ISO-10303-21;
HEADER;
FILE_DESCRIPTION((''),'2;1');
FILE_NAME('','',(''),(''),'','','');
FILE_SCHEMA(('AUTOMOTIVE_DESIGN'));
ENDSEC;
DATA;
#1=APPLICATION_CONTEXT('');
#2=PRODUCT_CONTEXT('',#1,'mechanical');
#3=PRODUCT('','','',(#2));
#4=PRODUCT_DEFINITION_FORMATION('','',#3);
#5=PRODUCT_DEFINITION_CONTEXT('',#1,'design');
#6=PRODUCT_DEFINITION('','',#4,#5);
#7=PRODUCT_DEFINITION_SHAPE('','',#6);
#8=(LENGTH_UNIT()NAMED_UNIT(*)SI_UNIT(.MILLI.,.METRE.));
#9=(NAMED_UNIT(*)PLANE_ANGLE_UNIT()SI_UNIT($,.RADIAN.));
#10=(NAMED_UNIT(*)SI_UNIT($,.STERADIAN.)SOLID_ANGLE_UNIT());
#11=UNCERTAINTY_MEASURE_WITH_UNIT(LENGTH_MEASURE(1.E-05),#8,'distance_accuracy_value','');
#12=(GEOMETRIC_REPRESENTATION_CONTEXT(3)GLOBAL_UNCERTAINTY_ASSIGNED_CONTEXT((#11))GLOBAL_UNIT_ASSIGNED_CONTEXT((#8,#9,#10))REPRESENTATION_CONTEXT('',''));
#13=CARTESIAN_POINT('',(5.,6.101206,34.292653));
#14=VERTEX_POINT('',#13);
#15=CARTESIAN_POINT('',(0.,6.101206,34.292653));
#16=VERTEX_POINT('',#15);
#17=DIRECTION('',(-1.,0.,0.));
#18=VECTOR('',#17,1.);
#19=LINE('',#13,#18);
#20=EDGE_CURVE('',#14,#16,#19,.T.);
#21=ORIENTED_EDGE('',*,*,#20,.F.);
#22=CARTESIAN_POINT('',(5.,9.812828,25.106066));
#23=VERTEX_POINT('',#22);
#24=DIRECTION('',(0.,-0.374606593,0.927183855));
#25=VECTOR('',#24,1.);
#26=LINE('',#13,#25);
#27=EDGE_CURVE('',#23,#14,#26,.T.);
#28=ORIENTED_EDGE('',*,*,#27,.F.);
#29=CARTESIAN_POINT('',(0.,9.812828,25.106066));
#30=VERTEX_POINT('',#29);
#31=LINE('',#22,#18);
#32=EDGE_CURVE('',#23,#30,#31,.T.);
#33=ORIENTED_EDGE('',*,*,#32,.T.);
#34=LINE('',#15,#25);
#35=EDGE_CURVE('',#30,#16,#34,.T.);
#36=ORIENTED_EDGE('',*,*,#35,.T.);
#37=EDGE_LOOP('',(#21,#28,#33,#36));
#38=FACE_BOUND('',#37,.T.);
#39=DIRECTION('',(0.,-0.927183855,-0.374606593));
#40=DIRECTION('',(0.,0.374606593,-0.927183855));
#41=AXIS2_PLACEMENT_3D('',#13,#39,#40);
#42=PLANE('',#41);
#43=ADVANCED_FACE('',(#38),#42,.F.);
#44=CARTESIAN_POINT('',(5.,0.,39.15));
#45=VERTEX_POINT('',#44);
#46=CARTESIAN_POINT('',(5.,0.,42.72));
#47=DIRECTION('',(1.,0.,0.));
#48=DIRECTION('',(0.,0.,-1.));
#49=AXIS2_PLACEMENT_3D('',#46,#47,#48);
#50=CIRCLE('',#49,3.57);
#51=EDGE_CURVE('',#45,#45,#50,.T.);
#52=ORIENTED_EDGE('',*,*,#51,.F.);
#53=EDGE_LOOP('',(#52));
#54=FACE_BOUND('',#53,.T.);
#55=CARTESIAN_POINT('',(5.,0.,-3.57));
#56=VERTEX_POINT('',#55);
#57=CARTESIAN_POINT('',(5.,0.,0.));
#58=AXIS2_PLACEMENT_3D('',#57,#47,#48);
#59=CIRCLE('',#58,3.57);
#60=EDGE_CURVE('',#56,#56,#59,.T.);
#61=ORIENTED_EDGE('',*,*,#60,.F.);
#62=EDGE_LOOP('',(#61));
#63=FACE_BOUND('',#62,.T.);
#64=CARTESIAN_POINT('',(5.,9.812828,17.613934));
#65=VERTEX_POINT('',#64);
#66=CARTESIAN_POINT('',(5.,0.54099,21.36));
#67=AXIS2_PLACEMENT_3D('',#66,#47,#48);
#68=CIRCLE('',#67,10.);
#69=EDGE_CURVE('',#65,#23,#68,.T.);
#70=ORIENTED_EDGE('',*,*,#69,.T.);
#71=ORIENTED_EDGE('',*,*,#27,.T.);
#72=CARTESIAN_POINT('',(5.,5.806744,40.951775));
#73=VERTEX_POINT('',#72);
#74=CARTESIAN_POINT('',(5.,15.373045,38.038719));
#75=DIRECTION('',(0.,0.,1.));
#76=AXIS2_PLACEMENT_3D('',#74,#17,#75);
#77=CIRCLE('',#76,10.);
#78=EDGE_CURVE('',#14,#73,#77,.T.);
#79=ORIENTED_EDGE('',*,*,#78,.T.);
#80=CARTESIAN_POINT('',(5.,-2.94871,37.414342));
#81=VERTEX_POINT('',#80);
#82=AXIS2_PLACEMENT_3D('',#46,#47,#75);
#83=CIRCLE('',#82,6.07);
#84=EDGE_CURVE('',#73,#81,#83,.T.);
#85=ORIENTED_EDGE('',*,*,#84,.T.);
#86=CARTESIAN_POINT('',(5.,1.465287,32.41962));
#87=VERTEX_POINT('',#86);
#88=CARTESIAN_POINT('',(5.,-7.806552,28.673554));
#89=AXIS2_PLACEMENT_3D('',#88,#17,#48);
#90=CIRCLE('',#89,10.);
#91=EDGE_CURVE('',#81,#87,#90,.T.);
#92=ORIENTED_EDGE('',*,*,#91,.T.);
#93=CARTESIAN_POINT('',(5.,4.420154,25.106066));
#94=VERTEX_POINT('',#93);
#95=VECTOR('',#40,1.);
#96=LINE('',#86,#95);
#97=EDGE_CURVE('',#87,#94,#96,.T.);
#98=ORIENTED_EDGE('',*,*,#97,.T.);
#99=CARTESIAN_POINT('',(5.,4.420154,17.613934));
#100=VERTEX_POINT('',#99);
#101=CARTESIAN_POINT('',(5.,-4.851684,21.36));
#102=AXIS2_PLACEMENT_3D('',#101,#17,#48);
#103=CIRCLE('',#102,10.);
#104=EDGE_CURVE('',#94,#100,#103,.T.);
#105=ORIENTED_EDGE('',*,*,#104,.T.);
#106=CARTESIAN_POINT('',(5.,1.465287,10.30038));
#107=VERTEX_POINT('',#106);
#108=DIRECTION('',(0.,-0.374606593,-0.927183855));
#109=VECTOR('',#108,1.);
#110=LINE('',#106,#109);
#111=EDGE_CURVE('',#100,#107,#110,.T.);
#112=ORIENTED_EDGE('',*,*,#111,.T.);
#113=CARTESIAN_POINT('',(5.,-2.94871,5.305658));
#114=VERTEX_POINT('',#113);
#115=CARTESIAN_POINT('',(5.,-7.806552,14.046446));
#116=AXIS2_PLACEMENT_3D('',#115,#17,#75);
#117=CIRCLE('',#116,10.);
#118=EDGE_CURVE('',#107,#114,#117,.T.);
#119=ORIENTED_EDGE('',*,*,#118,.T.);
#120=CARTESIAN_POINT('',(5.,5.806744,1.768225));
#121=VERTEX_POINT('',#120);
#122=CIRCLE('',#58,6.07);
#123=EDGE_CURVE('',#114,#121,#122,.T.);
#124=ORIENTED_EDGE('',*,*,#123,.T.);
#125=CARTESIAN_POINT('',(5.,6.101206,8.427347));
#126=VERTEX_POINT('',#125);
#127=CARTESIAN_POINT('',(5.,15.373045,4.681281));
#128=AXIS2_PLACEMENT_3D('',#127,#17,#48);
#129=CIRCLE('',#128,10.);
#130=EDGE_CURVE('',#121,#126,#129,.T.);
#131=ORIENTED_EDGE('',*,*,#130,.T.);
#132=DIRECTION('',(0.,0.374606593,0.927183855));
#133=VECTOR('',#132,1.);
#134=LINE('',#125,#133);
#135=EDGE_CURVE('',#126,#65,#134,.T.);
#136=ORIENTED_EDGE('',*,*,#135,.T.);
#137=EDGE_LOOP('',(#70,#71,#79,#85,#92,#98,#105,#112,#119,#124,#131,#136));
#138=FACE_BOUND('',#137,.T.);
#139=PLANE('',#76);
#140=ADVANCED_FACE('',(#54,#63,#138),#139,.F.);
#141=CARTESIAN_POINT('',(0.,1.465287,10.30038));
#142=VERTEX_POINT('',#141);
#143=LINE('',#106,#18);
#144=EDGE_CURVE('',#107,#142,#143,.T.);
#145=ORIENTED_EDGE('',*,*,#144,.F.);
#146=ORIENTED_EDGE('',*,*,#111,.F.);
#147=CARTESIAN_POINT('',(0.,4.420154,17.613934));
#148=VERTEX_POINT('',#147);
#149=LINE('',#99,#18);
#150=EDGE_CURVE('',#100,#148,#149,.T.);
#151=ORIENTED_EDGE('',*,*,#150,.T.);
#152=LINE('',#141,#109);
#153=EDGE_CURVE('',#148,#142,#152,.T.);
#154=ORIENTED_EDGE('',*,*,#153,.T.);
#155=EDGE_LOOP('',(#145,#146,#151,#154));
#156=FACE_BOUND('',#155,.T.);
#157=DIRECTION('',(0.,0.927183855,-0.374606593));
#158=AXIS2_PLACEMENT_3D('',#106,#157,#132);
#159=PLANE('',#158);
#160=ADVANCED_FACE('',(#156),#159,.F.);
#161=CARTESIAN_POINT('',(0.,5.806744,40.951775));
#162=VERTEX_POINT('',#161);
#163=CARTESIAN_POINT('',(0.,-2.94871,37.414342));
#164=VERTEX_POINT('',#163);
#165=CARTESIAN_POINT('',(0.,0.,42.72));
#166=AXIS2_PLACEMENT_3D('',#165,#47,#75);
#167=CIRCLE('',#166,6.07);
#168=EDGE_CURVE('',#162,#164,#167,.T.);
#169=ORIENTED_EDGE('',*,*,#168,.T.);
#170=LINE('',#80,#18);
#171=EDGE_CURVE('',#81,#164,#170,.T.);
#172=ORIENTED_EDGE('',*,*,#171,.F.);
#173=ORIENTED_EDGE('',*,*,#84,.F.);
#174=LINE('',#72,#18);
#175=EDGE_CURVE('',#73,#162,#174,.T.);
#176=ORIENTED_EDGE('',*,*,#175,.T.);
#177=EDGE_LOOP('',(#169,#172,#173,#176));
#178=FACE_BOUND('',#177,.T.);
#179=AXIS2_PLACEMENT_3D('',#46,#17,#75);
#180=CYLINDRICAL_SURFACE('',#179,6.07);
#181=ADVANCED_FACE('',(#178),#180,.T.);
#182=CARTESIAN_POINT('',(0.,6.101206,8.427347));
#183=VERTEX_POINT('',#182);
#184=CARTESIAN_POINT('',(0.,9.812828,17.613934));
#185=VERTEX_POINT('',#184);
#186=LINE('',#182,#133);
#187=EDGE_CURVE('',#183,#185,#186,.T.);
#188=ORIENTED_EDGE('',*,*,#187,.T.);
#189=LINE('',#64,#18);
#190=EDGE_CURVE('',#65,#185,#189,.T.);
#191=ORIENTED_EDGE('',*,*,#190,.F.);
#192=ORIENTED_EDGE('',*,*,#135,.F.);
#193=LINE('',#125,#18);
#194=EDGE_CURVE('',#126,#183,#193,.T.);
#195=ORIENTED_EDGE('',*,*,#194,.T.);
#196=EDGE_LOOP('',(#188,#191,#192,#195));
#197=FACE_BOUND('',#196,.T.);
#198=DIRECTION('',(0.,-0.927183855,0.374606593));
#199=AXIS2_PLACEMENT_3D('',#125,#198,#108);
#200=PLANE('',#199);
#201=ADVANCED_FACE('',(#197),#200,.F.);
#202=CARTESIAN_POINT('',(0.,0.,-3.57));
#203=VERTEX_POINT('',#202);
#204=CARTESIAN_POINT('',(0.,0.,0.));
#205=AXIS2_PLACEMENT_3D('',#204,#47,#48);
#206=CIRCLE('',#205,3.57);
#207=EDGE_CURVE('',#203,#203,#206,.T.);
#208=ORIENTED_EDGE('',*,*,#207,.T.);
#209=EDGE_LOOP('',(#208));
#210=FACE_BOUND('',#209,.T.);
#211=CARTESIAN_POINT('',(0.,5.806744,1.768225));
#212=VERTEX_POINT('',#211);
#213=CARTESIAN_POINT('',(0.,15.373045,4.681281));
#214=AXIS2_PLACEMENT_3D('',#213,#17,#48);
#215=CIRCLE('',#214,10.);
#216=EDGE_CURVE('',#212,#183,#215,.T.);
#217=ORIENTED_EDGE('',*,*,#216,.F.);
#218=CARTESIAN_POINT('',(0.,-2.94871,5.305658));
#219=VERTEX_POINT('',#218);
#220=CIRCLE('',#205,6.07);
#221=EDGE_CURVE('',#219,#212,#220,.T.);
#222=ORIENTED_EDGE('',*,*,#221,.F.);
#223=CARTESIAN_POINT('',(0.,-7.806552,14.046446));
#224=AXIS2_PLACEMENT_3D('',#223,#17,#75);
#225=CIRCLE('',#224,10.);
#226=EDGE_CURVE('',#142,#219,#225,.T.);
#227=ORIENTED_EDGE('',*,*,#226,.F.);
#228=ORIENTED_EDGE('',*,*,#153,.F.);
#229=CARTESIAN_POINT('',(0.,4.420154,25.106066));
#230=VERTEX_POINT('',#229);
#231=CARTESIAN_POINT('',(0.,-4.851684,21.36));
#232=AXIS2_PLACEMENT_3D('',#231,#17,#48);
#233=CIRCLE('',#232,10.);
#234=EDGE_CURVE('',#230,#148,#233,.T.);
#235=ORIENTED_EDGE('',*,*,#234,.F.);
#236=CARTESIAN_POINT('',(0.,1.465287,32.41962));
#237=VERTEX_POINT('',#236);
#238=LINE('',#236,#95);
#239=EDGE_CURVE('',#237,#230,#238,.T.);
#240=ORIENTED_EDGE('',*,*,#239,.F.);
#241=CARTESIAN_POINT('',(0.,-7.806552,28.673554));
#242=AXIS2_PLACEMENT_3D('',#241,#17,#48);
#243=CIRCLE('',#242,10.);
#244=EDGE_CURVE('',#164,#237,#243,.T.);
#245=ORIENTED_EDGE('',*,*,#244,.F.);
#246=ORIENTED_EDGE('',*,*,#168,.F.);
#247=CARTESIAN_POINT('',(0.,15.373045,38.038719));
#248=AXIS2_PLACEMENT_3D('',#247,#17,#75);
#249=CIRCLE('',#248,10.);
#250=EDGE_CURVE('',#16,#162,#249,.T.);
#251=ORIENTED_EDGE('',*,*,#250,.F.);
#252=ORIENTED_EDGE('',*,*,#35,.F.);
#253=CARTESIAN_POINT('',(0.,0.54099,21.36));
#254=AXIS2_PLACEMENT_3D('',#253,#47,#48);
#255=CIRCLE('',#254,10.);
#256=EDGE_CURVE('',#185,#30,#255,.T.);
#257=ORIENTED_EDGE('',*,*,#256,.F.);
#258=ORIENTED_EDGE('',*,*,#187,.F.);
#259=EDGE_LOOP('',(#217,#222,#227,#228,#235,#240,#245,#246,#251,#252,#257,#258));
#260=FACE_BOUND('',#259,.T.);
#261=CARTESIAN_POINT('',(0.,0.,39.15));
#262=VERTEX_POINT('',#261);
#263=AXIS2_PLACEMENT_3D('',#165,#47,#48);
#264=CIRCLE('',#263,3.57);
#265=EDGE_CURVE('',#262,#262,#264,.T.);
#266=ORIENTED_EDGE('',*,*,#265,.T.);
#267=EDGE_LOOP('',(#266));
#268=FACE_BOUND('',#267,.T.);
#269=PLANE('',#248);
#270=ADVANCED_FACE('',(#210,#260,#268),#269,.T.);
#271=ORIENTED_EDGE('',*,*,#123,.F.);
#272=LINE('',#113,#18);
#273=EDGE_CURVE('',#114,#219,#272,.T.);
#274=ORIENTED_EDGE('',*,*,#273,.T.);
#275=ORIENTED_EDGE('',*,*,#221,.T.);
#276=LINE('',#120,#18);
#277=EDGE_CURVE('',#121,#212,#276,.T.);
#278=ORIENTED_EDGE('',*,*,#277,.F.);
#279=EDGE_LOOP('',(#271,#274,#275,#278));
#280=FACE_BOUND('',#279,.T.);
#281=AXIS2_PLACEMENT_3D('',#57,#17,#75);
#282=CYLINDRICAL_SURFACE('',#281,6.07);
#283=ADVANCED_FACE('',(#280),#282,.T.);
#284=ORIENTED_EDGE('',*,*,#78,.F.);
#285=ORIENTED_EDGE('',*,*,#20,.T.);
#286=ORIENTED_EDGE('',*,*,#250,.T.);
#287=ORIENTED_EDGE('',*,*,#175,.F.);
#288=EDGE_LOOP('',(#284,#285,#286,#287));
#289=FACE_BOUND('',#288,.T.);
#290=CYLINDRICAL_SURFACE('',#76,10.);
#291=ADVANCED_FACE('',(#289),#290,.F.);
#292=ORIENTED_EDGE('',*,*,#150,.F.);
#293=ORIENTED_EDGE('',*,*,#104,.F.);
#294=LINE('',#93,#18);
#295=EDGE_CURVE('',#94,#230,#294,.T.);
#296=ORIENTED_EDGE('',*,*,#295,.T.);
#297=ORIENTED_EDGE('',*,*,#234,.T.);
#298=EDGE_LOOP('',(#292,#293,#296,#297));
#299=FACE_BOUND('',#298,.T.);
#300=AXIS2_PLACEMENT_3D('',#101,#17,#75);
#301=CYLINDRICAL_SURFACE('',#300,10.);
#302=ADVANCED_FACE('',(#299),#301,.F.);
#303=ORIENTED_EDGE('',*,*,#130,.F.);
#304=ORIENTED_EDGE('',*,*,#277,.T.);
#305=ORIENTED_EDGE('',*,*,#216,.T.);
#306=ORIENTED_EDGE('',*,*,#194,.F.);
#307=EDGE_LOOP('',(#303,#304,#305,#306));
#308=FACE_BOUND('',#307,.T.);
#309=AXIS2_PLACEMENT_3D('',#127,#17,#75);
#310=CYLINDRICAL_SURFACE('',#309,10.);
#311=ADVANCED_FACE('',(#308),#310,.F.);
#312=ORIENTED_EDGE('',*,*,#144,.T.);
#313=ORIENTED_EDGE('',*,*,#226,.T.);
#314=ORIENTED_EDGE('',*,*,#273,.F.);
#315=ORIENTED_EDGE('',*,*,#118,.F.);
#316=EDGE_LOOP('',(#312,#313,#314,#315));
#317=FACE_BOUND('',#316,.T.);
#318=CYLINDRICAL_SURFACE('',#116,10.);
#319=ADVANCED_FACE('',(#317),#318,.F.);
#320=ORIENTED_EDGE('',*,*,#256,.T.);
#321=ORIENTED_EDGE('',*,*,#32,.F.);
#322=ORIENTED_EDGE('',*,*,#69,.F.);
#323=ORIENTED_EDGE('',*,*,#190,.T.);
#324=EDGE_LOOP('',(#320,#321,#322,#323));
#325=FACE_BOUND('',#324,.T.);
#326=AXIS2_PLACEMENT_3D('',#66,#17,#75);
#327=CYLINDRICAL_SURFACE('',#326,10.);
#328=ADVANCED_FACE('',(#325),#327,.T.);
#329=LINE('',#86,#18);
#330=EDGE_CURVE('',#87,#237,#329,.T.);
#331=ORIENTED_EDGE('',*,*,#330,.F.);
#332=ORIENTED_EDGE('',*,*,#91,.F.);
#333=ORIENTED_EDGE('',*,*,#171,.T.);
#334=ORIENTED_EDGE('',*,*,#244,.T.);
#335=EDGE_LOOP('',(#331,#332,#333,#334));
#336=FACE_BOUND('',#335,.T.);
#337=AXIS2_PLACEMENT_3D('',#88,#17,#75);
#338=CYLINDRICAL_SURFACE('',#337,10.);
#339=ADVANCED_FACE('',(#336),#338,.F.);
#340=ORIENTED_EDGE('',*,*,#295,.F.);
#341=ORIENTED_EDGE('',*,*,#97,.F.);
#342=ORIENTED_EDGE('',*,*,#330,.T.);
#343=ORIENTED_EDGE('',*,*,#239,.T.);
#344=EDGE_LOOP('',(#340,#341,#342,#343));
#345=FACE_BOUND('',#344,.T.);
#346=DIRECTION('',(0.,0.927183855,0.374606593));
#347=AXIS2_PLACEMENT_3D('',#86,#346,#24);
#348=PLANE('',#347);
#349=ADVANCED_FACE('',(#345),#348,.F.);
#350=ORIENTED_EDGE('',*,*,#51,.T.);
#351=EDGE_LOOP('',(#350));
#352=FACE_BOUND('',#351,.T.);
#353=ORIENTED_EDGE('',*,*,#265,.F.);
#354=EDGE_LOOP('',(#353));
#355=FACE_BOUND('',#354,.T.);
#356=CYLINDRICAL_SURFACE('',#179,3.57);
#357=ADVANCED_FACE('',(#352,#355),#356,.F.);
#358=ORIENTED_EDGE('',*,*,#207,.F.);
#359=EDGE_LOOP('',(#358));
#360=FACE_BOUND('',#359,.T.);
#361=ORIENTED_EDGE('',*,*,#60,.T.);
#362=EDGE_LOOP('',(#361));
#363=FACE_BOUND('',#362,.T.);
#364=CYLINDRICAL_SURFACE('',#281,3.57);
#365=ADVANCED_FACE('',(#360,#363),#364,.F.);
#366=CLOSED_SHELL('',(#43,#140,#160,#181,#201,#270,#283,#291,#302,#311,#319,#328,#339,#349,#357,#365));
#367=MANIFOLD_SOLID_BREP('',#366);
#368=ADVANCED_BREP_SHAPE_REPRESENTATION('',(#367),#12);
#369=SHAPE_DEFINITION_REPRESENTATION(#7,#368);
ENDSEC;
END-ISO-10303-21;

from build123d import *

# Parameters (mm, degrees)
SKETCH1_R           = 3.57
BOSS_EXTRUDE1_DEPTH = 5


with BuildPart() as part:
    # Sketch1 → Boss-Extrude1 (new body)
    with BuildSketch(Plane(origin=(0, 0, 0), x_dir=(0, 0, -1), z_dir=(1, 0, 0))):
        with BuildLine():
            Line((-34.292652671, 6.101206192), (-25.106065934, 9.812828159))
            ThreePointArc((-25.106065934, 9.812828159), (-21.36, 10.540989614), (-17.613934066, 9.812828159))
            Line((-17.613934066, 9.812828159), (-8.427347329, 6.101206192))
            ThreePointArc((-8.427347329, 6.101206192), (-5.123042901, 5.382807164), (-1.768225144, 5.806744341))
            ThreePointArc((-1.768225144, 5.806744341), (5.628005997, -2.273862022), (-5.305658284, -2.948709917))
            ThreePointArc((-5.305658284, -2.948709917), (-7.424420711, -0.313302797), (-10.300380296, 1.465286919))
            Line((-10.300380296, 1.465286919), (-17.613934066, 4.420154446))
            ThreePointArc((-17.613934066, 4.420154446), (-21.36, 5.1483159), (-25.106065934, 4.420154446))
            Line((-25.106065934, 4.420154446), (-32.419619704, 1.465286919))
            ThreePointArc((-32.419619704, 1.465286919), (-35.295579289, -0.313302797), (-37.414341716, -2.948709917))
            ThreePointArc((-37.414341716, -2.948709917), (-48.348005997, -2.273862022), (-40.951774856, 5.806744341))
            ThreePointArc((-40.951774856, 5.806744341), (-37.596957099, 5.382807164), (-34.292652671, 6.101206192))
        make_face()
        Circle(SKETCH1_R, mode=Mode.SUBTRACT)
        with Locations((-42.72, 0)):
            Circle(SKETCH1_R, mode=Mode.SUBTRACT)
    extrude(amount=BOSS_EXTRUDE1_DEPTH)


solid = part.part
